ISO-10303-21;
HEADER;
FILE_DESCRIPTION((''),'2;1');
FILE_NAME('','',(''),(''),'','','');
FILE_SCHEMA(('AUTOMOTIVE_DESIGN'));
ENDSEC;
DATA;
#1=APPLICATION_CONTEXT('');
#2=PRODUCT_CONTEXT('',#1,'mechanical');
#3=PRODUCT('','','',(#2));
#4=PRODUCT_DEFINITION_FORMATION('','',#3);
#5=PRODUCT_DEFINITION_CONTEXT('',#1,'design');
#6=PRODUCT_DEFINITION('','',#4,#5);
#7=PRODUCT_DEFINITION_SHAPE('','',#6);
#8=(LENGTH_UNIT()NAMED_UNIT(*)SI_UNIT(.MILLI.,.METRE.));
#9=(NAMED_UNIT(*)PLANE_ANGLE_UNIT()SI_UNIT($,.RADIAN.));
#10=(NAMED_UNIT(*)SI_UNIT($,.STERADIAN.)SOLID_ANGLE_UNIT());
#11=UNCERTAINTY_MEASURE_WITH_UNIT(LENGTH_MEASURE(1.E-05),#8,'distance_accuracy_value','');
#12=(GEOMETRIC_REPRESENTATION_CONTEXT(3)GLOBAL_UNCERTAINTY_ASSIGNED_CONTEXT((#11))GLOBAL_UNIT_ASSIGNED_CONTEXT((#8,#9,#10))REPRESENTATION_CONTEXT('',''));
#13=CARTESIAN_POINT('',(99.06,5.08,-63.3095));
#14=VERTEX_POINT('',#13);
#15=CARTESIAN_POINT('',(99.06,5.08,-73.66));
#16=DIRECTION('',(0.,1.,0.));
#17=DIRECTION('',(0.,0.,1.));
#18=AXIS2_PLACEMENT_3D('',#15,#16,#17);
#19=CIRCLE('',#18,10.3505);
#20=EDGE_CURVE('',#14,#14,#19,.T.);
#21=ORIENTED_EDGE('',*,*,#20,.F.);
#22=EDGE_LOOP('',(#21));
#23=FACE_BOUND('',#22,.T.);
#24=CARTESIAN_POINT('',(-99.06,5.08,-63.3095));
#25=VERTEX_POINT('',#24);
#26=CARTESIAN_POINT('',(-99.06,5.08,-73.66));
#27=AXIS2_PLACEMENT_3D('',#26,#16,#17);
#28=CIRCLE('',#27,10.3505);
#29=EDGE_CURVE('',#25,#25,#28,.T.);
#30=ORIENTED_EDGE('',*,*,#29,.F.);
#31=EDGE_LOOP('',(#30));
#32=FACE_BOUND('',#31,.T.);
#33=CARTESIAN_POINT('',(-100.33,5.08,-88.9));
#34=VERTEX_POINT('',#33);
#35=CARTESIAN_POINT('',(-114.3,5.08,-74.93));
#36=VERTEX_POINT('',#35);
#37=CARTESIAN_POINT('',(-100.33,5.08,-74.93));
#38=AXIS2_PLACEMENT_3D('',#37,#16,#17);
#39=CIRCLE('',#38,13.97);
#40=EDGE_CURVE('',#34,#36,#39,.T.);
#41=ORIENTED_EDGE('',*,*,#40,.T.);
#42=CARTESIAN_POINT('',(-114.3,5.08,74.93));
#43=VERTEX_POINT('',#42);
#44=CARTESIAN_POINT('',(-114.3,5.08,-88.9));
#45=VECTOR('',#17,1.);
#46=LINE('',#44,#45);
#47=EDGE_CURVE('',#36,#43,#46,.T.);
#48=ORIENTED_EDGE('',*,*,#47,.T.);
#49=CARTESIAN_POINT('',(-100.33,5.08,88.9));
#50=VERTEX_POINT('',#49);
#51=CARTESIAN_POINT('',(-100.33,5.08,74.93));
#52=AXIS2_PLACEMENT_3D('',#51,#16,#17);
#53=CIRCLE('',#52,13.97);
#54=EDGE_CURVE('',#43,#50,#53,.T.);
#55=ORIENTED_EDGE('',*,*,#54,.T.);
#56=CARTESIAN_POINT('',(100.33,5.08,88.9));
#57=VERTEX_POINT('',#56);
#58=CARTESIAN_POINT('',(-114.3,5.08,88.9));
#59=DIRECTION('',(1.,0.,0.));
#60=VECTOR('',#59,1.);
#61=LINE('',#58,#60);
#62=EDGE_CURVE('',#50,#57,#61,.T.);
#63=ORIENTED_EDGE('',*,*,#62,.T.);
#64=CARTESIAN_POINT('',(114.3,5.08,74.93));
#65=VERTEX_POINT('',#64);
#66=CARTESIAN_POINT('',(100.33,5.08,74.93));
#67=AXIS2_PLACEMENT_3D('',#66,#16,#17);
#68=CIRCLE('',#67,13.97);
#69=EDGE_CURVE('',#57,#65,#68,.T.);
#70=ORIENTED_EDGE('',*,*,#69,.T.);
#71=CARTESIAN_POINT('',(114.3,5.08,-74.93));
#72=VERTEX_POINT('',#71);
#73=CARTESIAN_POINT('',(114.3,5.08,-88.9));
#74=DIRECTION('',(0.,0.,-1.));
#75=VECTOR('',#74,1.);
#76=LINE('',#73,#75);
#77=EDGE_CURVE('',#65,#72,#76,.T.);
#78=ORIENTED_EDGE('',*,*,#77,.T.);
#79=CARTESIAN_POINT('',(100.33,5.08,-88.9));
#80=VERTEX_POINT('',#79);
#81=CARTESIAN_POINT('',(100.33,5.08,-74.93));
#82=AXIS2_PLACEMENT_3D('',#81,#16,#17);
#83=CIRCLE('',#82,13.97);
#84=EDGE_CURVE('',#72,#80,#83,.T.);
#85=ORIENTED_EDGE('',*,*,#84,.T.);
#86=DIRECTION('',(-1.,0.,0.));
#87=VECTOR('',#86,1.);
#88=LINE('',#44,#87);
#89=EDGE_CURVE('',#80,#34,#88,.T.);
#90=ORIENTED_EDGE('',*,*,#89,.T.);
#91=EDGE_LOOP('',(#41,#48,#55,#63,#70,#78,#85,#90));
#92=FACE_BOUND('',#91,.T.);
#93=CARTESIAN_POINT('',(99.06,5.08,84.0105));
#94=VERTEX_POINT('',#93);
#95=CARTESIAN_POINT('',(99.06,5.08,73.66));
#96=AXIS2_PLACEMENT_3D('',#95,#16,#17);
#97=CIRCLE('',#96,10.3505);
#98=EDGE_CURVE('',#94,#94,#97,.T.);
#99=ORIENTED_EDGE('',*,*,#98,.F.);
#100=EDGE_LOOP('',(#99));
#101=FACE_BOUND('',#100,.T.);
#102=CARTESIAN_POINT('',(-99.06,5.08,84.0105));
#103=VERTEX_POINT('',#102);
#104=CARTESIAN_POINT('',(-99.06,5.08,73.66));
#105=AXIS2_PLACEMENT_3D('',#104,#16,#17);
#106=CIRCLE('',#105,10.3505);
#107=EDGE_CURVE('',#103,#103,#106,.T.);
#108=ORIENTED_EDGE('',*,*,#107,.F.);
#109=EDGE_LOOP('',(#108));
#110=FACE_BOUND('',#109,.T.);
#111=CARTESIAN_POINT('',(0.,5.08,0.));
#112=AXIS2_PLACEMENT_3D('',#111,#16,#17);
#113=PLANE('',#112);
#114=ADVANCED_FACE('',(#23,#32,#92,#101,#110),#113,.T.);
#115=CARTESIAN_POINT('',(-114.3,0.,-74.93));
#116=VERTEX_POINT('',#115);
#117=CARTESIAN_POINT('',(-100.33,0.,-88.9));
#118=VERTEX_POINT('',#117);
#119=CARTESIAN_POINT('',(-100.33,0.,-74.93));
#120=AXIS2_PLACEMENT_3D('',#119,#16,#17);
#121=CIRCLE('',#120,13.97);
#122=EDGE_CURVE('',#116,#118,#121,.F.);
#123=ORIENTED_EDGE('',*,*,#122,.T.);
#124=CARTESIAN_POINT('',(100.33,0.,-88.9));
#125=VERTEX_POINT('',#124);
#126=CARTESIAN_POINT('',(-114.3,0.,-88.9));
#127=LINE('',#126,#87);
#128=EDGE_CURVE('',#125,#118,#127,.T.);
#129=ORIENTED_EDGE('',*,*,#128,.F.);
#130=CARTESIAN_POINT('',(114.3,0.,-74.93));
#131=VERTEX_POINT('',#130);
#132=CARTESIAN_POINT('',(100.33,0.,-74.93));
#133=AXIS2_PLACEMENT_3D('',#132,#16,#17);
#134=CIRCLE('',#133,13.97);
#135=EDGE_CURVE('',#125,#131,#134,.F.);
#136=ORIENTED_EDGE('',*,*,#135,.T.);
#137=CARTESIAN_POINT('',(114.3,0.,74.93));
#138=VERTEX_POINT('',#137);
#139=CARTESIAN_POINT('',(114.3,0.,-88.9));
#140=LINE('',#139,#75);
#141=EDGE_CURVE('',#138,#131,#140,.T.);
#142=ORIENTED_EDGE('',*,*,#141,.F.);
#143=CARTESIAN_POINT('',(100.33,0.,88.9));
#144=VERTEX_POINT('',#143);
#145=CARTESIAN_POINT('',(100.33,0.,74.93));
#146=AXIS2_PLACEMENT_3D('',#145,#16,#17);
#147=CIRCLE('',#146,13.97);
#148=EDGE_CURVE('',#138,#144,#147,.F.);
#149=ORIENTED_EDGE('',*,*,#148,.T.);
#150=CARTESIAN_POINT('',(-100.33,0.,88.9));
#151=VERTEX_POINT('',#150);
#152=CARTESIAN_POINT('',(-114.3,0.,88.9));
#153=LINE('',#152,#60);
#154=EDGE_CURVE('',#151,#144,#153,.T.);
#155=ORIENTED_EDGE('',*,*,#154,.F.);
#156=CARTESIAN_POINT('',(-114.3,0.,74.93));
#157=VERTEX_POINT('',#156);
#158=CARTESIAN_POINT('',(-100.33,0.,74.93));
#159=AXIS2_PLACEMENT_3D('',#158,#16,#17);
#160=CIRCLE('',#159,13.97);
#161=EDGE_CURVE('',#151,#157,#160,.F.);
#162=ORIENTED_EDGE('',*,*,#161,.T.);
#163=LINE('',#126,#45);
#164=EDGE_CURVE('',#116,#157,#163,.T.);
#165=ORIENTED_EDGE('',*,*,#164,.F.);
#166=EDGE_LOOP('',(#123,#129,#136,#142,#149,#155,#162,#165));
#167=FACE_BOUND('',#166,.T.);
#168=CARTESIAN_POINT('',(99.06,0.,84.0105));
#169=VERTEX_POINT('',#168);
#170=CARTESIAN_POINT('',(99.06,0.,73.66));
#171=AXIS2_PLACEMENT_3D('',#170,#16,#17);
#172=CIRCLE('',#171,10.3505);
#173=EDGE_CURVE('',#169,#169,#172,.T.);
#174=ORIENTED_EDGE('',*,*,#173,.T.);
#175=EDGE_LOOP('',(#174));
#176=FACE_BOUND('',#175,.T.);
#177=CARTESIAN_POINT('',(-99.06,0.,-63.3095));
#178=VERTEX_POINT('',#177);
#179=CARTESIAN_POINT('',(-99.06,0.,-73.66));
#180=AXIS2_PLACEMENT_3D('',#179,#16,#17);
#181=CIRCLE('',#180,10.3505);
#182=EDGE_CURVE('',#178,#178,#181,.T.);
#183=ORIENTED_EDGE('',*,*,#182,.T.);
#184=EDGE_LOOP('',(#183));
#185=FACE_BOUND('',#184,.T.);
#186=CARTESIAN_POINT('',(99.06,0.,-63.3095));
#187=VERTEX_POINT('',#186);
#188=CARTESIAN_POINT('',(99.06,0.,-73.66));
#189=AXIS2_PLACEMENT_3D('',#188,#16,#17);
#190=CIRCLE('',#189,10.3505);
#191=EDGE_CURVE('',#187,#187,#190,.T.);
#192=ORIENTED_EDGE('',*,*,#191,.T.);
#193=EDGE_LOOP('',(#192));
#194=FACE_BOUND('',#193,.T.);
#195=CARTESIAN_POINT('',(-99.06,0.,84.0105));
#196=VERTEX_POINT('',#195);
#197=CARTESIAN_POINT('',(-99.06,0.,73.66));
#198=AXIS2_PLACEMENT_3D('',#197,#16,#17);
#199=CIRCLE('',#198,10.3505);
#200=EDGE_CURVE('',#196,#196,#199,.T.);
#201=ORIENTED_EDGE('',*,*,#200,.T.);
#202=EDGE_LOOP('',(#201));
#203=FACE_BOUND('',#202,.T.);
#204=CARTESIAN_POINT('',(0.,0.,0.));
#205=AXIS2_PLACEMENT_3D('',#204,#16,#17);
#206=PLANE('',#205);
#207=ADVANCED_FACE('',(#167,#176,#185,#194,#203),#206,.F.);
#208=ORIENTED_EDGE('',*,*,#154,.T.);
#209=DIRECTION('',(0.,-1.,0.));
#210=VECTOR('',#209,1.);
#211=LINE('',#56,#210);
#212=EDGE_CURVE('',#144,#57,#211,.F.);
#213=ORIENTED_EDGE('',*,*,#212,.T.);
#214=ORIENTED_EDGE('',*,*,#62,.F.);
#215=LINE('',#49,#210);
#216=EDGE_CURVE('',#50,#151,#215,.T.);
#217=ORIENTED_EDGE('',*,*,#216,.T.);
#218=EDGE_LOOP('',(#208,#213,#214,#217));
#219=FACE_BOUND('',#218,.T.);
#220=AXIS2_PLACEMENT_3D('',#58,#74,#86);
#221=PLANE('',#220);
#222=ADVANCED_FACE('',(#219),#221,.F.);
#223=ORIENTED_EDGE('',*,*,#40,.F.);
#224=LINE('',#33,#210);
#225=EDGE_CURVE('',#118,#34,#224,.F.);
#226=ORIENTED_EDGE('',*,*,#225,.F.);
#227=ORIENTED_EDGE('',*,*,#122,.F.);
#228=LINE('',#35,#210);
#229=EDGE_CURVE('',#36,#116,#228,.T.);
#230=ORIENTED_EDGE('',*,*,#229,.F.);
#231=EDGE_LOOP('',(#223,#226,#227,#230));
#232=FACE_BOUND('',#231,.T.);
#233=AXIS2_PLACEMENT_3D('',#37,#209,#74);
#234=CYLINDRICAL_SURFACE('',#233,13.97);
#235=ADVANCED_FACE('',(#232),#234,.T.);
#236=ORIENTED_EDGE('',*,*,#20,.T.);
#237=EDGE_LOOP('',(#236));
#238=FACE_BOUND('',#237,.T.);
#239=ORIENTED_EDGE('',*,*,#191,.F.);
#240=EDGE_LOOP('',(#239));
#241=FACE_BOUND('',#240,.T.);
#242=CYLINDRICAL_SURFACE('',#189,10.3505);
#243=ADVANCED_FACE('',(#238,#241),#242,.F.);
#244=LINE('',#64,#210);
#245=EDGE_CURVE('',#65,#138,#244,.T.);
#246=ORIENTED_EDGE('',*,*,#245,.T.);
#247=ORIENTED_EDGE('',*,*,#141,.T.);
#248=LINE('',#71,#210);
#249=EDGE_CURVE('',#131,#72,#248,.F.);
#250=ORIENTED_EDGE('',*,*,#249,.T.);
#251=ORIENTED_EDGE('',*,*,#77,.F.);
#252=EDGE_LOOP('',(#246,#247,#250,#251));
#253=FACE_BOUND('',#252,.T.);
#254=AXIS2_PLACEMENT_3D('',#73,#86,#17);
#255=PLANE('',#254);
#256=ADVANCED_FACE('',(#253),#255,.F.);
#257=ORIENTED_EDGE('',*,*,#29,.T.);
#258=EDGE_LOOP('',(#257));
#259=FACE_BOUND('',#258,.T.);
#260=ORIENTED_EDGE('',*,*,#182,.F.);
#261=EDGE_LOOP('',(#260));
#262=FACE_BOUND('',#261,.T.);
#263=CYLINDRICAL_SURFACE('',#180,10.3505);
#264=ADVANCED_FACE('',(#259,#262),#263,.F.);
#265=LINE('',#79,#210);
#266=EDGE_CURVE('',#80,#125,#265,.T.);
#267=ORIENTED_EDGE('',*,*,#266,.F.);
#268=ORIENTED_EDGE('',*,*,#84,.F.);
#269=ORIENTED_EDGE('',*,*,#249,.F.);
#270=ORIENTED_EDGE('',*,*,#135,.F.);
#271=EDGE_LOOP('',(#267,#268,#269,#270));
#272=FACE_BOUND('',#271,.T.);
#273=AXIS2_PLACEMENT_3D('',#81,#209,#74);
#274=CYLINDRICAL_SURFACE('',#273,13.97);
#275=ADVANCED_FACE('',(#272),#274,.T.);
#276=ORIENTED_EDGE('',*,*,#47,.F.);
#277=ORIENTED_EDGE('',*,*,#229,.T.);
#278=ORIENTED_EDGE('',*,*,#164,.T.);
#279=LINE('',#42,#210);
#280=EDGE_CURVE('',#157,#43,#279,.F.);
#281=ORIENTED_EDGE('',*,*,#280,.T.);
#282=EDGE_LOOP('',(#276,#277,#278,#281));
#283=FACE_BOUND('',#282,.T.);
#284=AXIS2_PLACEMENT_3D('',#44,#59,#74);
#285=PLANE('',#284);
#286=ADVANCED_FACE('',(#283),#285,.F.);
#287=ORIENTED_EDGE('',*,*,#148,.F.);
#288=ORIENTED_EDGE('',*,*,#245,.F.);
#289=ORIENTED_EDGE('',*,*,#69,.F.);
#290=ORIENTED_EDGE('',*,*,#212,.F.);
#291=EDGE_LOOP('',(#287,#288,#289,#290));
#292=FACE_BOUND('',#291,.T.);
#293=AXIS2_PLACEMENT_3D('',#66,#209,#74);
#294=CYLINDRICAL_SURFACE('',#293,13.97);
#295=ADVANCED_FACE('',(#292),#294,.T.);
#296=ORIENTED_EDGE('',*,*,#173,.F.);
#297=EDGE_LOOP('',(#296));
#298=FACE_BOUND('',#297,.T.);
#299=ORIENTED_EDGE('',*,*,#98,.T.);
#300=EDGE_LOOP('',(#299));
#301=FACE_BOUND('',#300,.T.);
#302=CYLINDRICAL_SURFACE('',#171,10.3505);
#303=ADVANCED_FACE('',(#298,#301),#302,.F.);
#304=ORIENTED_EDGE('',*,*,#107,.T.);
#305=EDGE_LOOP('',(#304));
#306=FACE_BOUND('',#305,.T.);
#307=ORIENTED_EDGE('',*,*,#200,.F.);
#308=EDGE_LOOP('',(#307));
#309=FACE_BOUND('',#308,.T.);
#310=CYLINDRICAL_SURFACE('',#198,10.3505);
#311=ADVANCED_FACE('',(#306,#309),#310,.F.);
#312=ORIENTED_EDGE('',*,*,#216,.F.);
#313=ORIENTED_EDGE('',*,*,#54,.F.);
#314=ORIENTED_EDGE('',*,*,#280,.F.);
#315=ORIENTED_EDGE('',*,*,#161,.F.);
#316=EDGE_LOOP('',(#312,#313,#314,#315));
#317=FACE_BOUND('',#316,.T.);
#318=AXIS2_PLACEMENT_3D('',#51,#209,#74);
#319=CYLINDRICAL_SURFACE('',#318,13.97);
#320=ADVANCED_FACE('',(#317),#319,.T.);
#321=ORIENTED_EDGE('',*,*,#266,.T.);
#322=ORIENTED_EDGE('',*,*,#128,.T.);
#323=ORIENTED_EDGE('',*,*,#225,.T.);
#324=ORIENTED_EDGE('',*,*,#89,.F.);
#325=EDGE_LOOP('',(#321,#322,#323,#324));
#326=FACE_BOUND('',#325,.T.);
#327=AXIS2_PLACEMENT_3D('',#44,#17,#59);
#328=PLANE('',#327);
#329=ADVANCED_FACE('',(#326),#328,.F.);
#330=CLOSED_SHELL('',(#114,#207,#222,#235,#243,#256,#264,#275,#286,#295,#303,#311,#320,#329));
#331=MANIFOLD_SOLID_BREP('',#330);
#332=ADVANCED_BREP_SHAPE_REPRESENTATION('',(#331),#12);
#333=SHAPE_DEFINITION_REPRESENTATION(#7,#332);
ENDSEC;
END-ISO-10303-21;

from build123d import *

# Parameters (mm, degrees)
SKETCH1_W           = 228.6
SKETCH1_H           = 177.8
BOSS_EXTRUDE1_DEPTH = 5.08
SKETCH2_R           = 10.3505
CUT_EXTRUDE1_DEPTH  = 145.891360681
FILLET3_R           = 13.97


with BuildPart() as part:
    # Sketch1 → Boss-Extrude1 (new body)
    with BuildSketch(Plane(origin=(0, 0, 0), x_dir=(1, 0, 0), z_dir=(0, 1, 0))):
        Rectangle(SKETCH1_W, SKETCH1_H)
    extrude(amount=BOSS_EXTRUDE1_DEPTH)

    # Sketch2 → Cut-Extrude1 (cut, through all)
    with BuildSketch(Plane(origin=(0, 5.08, 0), x_dir=(1, 0, 0), z_dir=(0, 1, 0))):
        with Locations(Location((-99.06, 73.66, 0), (0, 0, 270))):
            Circle(SKETCH2_R)
        with Locations(Location((99.06, 73.66, 0), (0, 0, 270))):
            Circle(SKETCH2_R)
        with Locations(Location((99.06, -73.66, 0), (0, 0, 270))):
            Circle(SKETCH2_R)
        with Locations(Location((-99.06, -73.66, 0), (0, 0, 270))):
            Circle(SKETCH2_R)
    extrude(amount=-CUT_EXTRUDE1_DEPTH, mode=Mode.SUBTRACT)

    # Fillet3
    fillet3_edges = [part.edges().sort_by_distance(p)[0] for p in [
        (114.3, 2.54, 88.9),
        (-114.3, 2.54, 88.9),
        (-114.3, 2.54, -88.9),
        (114.3, 2.54, -88.9),
    ]]
    fillet(fillet3_edges, radius=FILLET3_R)


solid = part.part
